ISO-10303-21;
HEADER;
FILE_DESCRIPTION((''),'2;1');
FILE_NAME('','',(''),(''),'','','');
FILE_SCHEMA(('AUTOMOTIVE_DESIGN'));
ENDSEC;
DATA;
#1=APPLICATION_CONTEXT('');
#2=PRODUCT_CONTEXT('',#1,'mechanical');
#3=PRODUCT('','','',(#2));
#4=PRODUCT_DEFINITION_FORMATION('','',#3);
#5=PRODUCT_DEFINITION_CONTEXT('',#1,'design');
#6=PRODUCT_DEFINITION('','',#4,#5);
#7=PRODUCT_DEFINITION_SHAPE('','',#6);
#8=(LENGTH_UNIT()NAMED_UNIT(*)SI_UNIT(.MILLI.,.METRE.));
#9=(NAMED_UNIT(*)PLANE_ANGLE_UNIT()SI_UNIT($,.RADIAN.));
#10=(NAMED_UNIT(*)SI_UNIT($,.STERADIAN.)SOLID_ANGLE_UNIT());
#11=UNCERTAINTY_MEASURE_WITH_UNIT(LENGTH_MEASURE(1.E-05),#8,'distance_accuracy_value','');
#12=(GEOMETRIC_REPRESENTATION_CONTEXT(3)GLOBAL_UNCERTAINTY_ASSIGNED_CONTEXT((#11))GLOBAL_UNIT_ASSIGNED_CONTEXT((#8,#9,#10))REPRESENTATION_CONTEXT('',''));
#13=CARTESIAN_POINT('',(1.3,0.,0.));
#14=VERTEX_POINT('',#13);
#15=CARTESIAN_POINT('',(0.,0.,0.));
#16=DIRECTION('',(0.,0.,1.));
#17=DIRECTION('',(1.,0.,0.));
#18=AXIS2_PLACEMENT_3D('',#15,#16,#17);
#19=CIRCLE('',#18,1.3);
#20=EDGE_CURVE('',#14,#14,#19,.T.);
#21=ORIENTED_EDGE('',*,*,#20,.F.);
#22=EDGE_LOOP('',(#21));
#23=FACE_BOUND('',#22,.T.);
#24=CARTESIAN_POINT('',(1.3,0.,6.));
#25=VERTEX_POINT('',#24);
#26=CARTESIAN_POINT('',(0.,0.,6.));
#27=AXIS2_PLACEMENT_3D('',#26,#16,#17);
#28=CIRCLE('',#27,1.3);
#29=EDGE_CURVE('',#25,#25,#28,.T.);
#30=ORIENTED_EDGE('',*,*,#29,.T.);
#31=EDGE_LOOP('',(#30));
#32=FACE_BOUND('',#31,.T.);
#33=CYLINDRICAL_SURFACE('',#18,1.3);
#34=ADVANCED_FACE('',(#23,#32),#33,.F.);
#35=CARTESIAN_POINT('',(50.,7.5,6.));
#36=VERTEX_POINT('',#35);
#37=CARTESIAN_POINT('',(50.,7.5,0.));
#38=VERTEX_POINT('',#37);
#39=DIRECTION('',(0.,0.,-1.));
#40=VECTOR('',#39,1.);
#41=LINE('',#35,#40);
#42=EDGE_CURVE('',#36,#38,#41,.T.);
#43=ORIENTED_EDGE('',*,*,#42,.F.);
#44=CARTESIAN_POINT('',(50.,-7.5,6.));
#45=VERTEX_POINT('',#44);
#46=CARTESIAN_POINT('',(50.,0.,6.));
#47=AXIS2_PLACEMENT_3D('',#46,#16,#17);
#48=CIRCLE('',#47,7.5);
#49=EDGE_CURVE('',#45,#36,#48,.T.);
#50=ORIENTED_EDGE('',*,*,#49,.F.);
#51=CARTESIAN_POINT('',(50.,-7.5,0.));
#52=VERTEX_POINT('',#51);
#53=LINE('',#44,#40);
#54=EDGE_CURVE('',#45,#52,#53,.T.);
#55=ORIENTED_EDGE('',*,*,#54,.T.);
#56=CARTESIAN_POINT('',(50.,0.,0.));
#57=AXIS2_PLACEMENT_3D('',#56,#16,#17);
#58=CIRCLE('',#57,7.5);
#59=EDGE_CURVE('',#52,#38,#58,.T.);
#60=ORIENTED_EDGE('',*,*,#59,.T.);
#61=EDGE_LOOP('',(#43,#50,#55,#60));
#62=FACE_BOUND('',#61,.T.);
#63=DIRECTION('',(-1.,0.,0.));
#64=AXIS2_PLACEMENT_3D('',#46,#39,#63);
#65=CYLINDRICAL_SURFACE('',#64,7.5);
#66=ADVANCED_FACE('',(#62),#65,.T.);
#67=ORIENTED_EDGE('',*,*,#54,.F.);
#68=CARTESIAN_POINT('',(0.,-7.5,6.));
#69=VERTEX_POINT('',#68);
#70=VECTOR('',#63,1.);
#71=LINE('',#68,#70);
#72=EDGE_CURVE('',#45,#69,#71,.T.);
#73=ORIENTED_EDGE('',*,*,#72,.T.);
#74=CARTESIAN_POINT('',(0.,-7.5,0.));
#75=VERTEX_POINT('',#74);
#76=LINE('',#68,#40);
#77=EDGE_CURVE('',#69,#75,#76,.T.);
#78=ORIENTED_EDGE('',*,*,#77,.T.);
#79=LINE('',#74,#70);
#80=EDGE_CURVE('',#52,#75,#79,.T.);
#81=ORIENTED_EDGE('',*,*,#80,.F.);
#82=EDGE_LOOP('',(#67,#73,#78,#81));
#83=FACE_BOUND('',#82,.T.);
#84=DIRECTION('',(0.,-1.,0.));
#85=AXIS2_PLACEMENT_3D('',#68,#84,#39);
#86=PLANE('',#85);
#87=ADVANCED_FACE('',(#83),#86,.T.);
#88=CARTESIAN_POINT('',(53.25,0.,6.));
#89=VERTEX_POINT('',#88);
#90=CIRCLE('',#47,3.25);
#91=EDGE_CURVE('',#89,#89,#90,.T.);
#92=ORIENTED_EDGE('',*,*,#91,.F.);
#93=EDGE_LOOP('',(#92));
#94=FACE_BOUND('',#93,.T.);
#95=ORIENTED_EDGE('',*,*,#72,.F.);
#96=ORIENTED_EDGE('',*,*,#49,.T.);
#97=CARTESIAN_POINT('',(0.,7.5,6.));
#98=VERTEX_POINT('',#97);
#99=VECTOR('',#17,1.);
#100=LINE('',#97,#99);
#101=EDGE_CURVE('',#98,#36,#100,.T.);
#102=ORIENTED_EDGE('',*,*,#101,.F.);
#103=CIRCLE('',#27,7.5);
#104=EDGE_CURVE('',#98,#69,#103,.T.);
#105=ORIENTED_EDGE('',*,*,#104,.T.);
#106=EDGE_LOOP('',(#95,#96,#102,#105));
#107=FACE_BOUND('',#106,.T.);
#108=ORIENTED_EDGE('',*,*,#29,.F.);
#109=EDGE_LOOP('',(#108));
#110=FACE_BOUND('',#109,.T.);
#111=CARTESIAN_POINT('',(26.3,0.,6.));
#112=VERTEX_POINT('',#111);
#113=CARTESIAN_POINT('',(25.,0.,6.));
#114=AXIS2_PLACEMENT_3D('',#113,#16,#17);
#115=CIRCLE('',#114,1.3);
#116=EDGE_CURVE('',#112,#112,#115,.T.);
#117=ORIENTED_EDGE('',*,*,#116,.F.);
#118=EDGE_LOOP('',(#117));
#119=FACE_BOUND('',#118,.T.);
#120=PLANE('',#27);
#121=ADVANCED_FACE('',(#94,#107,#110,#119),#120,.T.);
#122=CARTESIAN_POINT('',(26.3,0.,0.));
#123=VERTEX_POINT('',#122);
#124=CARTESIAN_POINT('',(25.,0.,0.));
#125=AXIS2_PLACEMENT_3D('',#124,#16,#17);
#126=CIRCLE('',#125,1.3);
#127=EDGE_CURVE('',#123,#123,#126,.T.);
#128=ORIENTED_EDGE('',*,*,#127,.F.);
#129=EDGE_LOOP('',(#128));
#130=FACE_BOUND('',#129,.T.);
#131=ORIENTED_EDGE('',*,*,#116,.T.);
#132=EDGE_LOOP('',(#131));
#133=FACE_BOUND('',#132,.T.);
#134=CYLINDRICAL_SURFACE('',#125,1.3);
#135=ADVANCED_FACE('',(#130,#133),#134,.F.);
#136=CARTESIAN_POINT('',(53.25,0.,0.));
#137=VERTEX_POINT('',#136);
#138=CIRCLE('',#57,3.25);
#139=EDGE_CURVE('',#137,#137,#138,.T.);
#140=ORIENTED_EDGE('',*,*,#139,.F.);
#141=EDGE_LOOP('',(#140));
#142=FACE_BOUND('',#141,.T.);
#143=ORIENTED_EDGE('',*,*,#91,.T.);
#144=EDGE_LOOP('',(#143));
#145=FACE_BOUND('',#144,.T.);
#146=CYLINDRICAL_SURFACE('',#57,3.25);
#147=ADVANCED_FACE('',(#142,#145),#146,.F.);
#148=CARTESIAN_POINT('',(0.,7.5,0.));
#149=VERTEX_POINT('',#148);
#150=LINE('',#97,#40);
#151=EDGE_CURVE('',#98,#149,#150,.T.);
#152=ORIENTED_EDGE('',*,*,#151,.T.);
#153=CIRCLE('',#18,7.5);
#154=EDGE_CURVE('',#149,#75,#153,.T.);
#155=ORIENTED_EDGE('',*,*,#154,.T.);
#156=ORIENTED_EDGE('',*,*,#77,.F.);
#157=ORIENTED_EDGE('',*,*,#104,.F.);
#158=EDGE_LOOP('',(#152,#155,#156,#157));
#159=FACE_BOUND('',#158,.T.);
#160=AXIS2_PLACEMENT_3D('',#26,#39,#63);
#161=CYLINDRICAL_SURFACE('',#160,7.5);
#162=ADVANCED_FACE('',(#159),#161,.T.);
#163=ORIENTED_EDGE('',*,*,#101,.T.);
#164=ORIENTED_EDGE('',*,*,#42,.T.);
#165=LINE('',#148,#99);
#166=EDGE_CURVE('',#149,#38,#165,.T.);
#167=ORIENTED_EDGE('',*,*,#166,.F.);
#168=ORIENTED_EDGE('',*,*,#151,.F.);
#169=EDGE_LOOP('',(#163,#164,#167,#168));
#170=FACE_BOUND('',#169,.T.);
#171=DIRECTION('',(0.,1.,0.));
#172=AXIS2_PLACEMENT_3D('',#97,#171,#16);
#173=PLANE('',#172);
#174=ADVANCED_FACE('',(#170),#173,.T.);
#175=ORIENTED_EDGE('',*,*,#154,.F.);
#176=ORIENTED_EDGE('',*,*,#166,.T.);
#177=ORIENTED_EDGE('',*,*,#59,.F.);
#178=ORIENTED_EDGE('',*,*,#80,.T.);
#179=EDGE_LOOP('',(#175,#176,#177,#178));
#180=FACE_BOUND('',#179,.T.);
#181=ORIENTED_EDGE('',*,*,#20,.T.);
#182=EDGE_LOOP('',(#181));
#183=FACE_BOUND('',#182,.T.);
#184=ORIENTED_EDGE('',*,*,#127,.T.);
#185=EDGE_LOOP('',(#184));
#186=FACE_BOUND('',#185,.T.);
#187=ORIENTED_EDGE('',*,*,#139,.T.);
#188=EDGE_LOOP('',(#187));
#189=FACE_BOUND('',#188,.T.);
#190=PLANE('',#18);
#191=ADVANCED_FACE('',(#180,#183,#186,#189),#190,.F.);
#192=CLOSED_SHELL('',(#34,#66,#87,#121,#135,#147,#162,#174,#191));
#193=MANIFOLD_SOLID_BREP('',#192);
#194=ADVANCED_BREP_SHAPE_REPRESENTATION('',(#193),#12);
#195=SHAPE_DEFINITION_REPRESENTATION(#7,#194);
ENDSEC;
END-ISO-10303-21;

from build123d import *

# Parameters (mm, degrees)
SKETCH1_R           = 7.5
BOSS_EXTRUDE1_DEPTH = 6
SKETCH2_R           = 1.3
CUT_EXTRUDE1_DEPTH  = 59.296655136
LPATTERN1_COUNT     = 4
LPATTERN1_PITCH     = 25
SKETCH3_R           = 3.25
CUT_EXTRUDE2_DEPTH  = 59.296655136


with BuildPart() as part:
    # Sketch1 → Boss-Extrude1 (new body)
    with BuildSketch(Plane.XY):
        with BuildLine():
            Line((50, 7.5), (0, 7.5))
            ThreePointArc((0, 7.5), (5.303300859, 5.303300859), (7.5, 0))
            ThreePointArc((7.5, 0), (5.303300859, -5.303300859), (0, -7.5))
            Line((0, -7.5), (50, -7.5))
            ThreePointArc((50, -7.5), (42.5, 0), (50, 7.5))
        make_face()
        with Locations((50, 0)):
            Circle(SKETCH1_R)
        Circle(SKETCH1_R)
    extrude(amount=BOSS_EXTRUDE1_DEPTH)

    # Sketch2 → Cut-Extrude1 (cut, through all)
    with BuildSketch(Plane.XY.offset(6)):
        Circle(SKETCH2_R)
        with Locations((50, 0)):
            Circle(SKETCH2_R)
    cut_extrude1 = extrude(amount=-CUT_EXTRUDE1_DEPTH, mode=Mode.SUBTRACT)

    # LPattern1: Cut-Extrude1 ×4
    with Locations(*[(i * LPATTERN1_PITCH, 0, 0) for i in range(1, LPATTERN1_COUNT)]):
        add(cut_extrude1, mode=Mode.SUBTRACT)

    # Sketch3 → Cut-Extrude2 (cut, through all)
    with BuildSketch(Plane.XY.offset(6)):
        with Locations((50, 0)):
            Circle(SKETCH3_R)
    extrude(amount=-CUT_EXTRUDE2_DEPTH, mode=Mode.SUBTRACT)


solid = part.part
